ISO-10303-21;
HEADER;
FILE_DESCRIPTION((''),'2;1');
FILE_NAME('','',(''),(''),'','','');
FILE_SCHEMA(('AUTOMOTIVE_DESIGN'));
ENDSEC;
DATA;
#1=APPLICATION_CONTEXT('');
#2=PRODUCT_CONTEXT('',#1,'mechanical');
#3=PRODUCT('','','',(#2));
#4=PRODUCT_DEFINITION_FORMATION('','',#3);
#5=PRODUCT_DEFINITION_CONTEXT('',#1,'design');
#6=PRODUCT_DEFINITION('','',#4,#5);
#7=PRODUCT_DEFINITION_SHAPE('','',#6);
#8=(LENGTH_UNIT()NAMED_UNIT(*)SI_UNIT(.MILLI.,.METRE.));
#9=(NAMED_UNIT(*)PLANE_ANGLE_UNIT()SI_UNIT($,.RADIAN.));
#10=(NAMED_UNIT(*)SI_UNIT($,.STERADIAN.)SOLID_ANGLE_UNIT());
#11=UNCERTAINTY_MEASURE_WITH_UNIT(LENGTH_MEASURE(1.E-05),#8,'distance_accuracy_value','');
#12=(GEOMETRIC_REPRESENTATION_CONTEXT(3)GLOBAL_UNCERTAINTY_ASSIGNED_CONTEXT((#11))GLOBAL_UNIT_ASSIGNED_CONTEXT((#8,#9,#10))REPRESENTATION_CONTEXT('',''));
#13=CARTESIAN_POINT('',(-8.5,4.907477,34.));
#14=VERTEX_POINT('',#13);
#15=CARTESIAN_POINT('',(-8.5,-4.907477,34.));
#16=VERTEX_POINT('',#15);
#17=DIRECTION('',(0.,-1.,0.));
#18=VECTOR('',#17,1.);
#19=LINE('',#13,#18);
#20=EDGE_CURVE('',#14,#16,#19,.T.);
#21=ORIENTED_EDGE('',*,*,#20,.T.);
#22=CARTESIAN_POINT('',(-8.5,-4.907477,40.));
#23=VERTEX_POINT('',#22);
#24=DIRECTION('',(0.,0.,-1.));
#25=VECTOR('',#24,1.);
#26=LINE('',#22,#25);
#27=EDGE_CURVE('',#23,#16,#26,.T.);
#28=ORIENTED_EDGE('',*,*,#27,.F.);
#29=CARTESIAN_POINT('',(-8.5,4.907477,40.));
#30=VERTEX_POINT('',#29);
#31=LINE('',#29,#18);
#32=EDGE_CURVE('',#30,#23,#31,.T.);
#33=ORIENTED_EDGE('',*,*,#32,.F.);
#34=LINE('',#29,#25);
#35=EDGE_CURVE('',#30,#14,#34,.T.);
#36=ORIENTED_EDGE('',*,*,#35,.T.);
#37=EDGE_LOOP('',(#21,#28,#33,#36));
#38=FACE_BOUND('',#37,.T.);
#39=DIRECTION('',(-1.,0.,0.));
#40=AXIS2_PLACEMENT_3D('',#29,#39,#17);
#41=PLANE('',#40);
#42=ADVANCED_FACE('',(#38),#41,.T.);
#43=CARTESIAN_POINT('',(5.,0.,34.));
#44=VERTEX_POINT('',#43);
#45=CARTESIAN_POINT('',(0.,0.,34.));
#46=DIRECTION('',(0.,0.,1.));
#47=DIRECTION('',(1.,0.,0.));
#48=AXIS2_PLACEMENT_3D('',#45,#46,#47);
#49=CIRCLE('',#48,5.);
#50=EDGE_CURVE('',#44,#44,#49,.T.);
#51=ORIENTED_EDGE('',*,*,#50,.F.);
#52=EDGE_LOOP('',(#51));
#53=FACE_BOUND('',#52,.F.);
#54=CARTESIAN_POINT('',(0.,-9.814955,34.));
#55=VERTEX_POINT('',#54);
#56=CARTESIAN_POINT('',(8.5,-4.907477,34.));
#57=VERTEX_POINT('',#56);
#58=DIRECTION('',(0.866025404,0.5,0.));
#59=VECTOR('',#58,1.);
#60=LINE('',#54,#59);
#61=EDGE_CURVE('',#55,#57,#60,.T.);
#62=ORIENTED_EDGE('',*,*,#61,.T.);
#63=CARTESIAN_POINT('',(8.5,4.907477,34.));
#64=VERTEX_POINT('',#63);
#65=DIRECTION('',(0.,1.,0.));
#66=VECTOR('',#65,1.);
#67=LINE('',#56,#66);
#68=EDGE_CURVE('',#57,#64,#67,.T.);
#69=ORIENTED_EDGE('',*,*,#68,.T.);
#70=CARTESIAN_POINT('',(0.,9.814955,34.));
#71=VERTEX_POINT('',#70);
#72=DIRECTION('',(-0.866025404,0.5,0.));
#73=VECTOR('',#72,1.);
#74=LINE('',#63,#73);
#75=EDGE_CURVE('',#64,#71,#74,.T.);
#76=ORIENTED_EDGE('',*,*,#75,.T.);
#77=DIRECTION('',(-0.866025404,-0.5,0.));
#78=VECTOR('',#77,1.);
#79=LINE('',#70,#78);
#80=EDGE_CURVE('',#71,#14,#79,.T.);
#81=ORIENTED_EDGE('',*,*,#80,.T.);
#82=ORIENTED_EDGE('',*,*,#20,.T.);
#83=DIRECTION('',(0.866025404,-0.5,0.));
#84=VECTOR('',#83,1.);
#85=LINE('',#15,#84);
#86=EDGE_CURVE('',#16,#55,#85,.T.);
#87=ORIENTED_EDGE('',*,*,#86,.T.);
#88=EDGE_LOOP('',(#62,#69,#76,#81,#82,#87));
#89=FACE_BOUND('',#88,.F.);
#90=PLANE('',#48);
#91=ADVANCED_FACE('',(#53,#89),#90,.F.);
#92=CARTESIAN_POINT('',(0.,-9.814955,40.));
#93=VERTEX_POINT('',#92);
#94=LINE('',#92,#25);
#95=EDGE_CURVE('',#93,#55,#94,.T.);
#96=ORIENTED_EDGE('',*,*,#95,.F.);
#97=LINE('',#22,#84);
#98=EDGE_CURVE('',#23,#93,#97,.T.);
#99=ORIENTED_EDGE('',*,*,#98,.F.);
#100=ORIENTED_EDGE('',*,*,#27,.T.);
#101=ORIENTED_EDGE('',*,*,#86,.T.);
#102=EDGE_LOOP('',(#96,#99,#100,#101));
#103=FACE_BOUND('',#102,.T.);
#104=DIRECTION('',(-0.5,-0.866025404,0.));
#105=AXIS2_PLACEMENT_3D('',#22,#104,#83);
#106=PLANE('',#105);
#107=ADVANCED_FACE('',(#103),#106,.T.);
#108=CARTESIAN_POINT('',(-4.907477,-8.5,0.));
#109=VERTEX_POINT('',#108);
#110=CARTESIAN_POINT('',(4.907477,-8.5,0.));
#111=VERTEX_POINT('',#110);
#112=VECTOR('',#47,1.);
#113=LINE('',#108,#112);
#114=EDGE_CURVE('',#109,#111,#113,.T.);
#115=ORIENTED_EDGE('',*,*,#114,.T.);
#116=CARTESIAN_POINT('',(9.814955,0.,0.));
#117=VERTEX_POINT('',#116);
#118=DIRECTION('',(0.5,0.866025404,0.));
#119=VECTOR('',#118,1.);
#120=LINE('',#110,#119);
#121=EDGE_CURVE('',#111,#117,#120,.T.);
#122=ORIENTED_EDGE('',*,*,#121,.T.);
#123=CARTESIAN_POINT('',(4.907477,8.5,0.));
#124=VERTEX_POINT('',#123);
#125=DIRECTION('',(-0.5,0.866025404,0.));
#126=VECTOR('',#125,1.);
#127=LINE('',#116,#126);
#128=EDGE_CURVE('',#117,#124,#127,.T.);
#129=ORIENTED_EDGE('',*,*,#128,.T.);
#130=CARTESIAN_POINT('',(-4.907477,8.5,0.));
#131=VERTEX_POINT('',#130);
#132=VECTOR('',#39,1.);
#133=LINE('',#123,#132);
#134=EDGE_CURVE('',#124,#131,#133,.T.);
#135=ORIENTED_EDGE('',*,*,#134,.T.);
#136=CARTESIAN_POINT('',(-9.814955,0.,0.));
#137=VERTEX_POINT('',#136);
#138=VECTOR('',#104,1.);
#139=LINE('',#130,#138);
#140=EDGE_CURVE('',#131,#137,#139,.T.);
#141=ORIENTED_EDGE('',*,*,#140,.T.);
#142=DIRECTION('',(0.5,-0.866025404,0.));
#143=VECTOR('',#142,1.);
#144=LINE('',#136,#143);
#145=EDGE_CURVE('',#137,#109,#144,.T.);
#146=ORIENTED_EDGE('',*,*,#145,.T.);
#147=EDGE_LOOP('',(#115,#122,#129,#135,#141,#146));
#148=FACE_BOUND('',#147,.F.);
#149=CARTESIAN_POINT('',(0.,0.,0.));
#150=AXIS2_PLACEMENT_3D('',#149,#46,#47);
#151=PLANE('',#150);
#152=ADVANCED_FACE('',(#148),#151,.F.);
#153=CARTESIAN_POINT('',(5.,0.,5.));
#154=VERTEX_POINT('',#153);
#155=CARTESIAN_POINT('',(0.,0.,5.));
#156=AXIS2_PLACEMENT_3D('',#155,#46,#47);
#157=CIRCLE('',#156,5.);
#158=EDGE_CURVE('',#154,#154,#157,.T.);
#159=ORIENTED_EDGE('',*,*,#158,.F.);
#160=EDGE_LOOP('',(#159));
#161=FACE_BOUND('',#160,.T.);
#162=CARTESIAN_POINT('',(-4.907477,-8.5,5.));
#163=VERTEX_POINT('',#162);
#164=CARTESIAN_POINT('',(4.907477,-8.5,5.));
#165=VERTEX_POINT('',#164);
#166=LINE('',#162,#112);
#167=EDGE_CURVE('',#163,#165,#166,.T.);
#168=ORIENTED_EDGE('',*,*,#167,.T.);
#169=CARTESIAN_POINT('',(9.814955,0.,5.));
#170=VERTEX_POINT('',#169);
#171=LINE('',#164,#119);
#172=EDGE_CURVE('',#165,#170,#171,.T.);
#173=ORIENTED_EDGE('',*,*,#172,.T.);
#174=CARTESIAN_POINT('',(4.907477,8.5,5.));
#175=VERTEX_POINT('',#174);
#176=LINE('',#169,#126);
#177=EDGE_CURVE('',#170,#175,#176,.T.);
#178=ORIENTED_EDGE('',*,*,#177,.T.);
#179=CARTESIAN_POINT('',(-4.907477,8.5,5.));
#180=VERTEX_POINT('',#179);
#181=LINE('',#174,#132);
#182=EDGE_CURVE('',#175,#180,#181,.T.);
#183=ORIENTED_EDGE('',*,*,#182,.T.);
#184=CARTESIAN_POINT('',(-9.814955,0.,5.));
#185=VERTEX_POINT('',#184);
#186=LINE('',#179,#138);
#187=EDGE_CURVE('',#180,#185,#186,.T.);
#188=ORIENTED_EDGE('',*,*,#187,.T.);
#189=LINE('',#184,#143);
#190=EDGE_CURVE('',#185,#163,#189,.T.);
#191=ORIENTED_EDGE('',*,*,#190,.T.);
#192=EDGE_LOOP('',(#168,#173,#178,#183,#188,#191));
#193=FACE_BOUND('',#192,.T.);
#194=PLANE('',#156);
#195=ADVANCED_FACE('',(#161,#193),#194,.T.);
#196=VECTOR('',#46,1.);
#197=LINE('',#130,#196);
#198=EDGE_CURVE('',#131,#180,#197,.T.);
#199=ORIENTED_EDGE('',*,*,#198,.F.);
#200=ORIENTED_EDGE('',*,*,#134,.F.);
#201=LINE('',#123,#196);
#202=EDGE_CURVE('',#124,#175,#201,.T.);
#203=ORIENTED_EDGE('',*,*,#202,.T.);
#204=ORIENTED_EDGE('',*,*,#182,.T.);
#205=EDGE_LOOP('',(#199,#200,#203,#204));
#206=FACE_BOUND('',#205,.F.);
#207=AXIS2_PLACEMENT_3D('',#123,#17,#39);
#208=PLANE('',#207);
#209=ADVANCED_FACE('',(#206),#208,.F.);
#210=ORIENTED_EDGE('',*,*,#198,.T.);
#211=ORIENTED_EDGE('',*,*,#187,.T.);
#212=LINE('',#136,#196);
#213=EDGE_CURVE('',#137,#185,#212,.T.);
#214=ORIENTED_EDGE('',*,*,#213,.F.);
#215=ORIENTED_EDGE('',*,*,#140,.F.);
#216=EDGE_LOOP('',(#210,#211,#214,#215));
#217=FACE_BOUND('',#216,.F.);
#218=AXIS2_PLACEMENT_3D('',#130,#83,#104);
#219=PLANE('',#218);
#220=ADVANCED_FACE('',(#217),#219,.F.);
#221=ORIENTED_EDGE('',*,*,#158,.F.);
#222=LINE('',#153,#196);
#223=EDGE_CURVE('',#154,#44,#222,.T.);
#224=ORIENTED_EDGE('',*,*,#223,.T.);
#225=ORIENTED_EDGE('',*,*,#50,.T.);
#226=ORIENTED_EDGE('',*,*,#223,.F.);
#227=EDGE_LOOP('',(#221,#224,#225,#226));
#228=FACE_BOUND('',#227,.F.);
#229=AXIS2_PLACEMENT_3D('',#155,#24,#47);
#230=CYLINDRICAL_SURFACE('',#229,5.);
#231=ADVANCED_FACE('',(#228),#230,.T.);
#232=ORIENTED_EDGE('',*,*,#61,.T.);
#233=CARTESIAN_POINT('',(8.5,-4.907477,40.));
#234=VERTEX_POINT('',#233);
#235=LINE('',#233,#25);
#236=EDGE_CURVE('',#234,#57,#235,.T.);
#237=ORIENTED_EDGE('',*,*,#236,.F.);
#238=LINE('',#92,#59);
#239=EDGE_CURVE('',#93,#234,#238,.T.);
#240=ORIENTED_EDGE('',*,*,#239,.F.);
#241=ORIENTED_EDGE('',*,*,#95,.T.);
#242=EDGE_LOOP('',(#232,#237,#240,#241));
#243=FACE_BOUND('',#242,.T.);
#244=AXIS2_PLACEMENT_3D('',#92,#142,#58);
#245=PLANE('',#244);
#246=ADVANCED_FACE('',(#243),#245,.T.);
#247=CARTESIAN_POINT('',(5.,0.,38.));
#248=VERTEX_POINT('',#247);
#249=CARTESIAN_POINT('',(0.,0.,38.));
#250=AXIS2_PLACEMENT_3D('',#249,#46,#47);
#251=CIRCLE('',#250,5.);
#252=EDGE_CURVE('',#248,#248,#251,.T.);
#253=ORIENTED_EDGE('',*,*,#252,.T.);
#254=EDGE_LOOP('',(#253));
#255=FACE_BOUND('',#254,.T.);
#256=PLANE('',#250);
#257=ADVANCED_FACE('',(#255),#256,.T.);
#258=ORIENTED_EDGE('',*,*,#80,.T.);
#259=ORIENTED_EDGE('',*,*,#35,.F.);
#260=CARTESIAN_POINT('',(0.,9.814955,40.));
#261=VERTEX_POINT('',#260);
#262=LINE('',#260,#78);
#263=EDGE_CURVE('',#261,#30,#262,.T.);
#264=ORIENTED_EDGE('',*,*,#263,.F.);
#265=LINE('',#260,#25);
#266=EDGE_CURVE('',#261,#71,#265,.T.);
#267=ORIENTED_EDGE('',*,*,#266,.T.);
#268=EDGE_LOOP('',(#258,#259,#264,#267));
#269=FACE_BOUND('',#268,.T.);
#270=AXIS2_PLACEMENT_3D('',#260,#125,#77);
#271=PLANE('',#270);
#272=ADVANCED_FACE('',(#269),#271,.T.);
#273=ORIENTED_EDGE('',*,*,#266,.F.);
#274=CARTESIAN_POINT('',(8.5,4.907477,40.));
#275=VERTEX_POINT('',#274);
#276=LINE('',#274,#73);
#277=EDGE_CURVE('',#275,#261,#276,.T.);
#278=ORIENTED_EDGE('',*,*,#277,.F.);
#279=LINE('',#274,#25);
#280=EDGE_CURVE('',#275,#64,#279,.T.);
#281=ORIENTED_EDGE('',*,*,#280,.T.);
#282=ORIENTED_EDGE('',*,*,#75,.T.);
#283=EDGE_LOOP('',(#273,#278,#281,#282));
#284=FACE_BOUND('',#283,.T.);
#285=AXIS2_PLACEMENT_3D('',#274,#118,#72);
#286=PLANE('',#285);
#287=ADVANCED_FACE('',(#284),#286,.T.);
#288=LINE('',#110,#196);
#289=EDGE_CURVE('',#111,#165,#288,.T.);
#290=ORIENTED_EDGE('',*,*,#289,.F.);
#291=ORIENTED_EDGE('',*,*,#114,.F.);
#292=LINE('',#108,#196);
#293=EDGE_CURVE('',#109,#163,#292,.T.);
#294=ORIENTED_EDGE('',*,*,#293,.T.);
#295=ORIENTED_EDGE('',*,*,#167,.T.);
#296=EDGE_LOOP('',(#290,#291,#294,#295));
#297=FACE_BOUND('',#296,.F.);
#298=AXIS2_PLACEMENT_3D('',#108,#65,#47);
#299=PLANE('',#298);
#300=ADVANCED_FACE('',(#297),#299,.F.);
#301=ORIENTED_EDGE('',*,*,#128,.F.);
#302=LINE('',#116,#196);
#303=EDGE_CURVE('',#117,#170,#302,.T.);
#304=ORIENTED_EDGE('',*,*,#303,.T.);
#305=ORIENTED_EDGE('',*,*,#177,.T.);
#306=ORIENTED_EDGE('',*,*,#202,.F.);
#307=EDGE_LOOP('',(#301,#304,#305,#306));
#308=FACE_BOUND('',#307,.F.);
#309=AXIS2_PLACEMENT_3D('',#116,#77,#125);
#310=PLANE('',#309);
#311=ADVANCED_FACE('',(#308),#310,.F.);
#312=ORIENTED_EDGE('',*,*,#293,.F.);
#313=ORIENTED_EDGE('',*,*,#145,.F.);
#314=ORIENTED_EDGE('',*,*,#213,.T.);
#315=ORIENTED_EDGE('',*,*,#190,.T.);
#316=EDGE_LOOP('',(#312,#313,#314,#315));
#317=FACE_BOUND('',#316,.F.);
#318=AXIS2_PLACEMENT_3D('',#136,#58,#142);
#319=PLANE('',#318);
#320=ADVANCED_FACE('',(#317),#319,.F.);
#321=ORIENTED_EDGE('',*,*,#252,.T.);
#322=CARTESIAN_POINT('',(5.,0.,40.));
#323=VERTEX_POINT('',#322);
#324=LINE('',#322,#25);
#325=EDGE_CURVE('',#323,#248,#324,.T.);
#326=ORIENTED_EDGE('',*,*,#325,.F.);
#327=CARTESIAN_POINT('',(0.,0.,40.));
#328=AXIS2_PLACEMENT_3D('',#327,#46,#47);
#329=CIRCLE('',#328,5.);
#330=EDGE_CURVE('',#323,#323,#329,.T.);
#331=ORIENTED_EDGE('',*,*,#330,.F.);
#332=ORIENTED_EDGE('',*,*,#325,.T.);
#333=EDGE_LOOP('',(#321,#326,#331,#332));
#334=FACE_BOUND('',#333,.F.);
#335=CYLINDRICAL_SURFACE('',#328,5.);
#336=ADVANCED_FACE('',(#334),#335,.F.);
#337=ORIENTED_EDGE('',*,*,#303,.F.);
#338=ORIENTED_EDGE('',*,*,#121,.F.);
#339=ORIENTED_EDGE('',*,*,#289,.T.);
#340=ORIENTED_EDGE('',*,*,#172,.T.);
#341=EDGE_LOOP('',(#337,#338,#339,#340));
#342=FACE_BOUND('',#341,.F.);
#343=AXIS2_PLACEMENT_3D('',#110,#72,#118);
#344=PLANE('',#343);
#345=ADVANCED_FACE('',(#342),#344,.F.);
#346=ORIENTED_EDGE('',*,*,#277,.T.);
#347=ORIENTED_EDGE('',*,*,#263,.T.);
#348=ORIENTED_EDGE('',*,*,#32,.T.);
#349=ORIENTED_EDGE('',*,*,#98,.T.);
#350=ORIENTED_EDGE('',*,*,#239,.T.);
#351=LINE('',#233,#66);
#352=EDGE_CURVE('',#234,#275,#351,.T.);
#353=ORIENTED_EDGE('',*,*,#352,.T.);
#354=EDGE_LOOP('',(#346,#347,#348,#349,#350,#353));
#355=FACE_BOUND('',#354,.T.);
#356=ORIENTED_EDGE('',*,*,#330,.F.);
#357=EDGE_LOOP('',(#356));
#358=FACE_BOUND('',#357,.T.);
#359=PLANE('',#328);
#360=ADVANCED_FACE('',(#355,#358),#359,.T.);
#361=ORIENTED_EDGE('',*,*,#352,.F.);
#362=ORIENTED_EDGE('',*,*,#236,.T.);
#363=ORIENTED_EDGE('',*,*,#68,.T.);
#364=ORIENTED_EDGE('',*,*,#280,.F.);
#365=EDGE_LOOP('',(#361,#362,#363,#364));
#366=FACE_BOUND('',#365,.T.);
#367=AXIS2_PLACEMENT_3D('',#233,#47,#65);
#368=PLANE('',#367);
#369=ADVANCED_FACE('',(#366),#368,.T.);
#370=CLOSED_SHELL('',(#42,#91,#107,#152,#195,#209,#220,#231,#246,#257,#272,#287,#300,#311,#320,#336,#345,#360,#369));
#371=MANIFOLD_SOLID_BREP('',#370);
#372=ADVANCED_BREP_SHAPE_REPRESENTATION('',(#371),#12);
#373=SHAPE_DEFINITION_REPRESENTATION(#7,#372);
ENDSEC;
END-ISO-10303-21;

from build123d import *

# Parameters (mm, degrees)
F1_DEPTH = 5
F2_R     = 5
F3_DEPTH = 35
F4_R     = 5
F5_DEPTH = 6
F6_R     = 5
F7_DEPTH = 2


with BuildPart() as f1:
    # F0 (on Top) → F1 (new body)
    with BuildSketch(Plane.XY):
        Polygon((4.9074772881, 8.5), (-4.9074772881, 8.5), (-9.8149545762, 0), (-4.9074772881, -8.5), (4.9074772881, -8.5), (9.8149545762, 0), align=None)
    extrude(amount=F1_DEPTH)

    # F2 (on face) → F3 (join)
    with BuildSketch(Plane.XY.offset(5)):
        Circle(F2_R)
    extrude(amount=F3_DEPTH)

    # F4 (on face) → F5 (join)
    with BuildSketch(Plane.XY.offset(40)):
        Polygon((-8.5, 4.9074772881), (-8.5, -4.9074772881), (0, -9.8149545762), (8.5, -4.9074772881), (8.5, 4.9074772881), (0, 9.8149545762), align=None)
        Circle(F4_R, mode=Mode.SUBTRACT)
    extrude(amount=-F5_DEPTH)

    # F6 (on face) → F7 (cut)
    with BuildSketch(Plane.XY.offset(40)):
        Circle(F6_R)
    extrude(amount=-F7_DEPTH, mode=Mode.SUBTRACT)


solid = f1.part
